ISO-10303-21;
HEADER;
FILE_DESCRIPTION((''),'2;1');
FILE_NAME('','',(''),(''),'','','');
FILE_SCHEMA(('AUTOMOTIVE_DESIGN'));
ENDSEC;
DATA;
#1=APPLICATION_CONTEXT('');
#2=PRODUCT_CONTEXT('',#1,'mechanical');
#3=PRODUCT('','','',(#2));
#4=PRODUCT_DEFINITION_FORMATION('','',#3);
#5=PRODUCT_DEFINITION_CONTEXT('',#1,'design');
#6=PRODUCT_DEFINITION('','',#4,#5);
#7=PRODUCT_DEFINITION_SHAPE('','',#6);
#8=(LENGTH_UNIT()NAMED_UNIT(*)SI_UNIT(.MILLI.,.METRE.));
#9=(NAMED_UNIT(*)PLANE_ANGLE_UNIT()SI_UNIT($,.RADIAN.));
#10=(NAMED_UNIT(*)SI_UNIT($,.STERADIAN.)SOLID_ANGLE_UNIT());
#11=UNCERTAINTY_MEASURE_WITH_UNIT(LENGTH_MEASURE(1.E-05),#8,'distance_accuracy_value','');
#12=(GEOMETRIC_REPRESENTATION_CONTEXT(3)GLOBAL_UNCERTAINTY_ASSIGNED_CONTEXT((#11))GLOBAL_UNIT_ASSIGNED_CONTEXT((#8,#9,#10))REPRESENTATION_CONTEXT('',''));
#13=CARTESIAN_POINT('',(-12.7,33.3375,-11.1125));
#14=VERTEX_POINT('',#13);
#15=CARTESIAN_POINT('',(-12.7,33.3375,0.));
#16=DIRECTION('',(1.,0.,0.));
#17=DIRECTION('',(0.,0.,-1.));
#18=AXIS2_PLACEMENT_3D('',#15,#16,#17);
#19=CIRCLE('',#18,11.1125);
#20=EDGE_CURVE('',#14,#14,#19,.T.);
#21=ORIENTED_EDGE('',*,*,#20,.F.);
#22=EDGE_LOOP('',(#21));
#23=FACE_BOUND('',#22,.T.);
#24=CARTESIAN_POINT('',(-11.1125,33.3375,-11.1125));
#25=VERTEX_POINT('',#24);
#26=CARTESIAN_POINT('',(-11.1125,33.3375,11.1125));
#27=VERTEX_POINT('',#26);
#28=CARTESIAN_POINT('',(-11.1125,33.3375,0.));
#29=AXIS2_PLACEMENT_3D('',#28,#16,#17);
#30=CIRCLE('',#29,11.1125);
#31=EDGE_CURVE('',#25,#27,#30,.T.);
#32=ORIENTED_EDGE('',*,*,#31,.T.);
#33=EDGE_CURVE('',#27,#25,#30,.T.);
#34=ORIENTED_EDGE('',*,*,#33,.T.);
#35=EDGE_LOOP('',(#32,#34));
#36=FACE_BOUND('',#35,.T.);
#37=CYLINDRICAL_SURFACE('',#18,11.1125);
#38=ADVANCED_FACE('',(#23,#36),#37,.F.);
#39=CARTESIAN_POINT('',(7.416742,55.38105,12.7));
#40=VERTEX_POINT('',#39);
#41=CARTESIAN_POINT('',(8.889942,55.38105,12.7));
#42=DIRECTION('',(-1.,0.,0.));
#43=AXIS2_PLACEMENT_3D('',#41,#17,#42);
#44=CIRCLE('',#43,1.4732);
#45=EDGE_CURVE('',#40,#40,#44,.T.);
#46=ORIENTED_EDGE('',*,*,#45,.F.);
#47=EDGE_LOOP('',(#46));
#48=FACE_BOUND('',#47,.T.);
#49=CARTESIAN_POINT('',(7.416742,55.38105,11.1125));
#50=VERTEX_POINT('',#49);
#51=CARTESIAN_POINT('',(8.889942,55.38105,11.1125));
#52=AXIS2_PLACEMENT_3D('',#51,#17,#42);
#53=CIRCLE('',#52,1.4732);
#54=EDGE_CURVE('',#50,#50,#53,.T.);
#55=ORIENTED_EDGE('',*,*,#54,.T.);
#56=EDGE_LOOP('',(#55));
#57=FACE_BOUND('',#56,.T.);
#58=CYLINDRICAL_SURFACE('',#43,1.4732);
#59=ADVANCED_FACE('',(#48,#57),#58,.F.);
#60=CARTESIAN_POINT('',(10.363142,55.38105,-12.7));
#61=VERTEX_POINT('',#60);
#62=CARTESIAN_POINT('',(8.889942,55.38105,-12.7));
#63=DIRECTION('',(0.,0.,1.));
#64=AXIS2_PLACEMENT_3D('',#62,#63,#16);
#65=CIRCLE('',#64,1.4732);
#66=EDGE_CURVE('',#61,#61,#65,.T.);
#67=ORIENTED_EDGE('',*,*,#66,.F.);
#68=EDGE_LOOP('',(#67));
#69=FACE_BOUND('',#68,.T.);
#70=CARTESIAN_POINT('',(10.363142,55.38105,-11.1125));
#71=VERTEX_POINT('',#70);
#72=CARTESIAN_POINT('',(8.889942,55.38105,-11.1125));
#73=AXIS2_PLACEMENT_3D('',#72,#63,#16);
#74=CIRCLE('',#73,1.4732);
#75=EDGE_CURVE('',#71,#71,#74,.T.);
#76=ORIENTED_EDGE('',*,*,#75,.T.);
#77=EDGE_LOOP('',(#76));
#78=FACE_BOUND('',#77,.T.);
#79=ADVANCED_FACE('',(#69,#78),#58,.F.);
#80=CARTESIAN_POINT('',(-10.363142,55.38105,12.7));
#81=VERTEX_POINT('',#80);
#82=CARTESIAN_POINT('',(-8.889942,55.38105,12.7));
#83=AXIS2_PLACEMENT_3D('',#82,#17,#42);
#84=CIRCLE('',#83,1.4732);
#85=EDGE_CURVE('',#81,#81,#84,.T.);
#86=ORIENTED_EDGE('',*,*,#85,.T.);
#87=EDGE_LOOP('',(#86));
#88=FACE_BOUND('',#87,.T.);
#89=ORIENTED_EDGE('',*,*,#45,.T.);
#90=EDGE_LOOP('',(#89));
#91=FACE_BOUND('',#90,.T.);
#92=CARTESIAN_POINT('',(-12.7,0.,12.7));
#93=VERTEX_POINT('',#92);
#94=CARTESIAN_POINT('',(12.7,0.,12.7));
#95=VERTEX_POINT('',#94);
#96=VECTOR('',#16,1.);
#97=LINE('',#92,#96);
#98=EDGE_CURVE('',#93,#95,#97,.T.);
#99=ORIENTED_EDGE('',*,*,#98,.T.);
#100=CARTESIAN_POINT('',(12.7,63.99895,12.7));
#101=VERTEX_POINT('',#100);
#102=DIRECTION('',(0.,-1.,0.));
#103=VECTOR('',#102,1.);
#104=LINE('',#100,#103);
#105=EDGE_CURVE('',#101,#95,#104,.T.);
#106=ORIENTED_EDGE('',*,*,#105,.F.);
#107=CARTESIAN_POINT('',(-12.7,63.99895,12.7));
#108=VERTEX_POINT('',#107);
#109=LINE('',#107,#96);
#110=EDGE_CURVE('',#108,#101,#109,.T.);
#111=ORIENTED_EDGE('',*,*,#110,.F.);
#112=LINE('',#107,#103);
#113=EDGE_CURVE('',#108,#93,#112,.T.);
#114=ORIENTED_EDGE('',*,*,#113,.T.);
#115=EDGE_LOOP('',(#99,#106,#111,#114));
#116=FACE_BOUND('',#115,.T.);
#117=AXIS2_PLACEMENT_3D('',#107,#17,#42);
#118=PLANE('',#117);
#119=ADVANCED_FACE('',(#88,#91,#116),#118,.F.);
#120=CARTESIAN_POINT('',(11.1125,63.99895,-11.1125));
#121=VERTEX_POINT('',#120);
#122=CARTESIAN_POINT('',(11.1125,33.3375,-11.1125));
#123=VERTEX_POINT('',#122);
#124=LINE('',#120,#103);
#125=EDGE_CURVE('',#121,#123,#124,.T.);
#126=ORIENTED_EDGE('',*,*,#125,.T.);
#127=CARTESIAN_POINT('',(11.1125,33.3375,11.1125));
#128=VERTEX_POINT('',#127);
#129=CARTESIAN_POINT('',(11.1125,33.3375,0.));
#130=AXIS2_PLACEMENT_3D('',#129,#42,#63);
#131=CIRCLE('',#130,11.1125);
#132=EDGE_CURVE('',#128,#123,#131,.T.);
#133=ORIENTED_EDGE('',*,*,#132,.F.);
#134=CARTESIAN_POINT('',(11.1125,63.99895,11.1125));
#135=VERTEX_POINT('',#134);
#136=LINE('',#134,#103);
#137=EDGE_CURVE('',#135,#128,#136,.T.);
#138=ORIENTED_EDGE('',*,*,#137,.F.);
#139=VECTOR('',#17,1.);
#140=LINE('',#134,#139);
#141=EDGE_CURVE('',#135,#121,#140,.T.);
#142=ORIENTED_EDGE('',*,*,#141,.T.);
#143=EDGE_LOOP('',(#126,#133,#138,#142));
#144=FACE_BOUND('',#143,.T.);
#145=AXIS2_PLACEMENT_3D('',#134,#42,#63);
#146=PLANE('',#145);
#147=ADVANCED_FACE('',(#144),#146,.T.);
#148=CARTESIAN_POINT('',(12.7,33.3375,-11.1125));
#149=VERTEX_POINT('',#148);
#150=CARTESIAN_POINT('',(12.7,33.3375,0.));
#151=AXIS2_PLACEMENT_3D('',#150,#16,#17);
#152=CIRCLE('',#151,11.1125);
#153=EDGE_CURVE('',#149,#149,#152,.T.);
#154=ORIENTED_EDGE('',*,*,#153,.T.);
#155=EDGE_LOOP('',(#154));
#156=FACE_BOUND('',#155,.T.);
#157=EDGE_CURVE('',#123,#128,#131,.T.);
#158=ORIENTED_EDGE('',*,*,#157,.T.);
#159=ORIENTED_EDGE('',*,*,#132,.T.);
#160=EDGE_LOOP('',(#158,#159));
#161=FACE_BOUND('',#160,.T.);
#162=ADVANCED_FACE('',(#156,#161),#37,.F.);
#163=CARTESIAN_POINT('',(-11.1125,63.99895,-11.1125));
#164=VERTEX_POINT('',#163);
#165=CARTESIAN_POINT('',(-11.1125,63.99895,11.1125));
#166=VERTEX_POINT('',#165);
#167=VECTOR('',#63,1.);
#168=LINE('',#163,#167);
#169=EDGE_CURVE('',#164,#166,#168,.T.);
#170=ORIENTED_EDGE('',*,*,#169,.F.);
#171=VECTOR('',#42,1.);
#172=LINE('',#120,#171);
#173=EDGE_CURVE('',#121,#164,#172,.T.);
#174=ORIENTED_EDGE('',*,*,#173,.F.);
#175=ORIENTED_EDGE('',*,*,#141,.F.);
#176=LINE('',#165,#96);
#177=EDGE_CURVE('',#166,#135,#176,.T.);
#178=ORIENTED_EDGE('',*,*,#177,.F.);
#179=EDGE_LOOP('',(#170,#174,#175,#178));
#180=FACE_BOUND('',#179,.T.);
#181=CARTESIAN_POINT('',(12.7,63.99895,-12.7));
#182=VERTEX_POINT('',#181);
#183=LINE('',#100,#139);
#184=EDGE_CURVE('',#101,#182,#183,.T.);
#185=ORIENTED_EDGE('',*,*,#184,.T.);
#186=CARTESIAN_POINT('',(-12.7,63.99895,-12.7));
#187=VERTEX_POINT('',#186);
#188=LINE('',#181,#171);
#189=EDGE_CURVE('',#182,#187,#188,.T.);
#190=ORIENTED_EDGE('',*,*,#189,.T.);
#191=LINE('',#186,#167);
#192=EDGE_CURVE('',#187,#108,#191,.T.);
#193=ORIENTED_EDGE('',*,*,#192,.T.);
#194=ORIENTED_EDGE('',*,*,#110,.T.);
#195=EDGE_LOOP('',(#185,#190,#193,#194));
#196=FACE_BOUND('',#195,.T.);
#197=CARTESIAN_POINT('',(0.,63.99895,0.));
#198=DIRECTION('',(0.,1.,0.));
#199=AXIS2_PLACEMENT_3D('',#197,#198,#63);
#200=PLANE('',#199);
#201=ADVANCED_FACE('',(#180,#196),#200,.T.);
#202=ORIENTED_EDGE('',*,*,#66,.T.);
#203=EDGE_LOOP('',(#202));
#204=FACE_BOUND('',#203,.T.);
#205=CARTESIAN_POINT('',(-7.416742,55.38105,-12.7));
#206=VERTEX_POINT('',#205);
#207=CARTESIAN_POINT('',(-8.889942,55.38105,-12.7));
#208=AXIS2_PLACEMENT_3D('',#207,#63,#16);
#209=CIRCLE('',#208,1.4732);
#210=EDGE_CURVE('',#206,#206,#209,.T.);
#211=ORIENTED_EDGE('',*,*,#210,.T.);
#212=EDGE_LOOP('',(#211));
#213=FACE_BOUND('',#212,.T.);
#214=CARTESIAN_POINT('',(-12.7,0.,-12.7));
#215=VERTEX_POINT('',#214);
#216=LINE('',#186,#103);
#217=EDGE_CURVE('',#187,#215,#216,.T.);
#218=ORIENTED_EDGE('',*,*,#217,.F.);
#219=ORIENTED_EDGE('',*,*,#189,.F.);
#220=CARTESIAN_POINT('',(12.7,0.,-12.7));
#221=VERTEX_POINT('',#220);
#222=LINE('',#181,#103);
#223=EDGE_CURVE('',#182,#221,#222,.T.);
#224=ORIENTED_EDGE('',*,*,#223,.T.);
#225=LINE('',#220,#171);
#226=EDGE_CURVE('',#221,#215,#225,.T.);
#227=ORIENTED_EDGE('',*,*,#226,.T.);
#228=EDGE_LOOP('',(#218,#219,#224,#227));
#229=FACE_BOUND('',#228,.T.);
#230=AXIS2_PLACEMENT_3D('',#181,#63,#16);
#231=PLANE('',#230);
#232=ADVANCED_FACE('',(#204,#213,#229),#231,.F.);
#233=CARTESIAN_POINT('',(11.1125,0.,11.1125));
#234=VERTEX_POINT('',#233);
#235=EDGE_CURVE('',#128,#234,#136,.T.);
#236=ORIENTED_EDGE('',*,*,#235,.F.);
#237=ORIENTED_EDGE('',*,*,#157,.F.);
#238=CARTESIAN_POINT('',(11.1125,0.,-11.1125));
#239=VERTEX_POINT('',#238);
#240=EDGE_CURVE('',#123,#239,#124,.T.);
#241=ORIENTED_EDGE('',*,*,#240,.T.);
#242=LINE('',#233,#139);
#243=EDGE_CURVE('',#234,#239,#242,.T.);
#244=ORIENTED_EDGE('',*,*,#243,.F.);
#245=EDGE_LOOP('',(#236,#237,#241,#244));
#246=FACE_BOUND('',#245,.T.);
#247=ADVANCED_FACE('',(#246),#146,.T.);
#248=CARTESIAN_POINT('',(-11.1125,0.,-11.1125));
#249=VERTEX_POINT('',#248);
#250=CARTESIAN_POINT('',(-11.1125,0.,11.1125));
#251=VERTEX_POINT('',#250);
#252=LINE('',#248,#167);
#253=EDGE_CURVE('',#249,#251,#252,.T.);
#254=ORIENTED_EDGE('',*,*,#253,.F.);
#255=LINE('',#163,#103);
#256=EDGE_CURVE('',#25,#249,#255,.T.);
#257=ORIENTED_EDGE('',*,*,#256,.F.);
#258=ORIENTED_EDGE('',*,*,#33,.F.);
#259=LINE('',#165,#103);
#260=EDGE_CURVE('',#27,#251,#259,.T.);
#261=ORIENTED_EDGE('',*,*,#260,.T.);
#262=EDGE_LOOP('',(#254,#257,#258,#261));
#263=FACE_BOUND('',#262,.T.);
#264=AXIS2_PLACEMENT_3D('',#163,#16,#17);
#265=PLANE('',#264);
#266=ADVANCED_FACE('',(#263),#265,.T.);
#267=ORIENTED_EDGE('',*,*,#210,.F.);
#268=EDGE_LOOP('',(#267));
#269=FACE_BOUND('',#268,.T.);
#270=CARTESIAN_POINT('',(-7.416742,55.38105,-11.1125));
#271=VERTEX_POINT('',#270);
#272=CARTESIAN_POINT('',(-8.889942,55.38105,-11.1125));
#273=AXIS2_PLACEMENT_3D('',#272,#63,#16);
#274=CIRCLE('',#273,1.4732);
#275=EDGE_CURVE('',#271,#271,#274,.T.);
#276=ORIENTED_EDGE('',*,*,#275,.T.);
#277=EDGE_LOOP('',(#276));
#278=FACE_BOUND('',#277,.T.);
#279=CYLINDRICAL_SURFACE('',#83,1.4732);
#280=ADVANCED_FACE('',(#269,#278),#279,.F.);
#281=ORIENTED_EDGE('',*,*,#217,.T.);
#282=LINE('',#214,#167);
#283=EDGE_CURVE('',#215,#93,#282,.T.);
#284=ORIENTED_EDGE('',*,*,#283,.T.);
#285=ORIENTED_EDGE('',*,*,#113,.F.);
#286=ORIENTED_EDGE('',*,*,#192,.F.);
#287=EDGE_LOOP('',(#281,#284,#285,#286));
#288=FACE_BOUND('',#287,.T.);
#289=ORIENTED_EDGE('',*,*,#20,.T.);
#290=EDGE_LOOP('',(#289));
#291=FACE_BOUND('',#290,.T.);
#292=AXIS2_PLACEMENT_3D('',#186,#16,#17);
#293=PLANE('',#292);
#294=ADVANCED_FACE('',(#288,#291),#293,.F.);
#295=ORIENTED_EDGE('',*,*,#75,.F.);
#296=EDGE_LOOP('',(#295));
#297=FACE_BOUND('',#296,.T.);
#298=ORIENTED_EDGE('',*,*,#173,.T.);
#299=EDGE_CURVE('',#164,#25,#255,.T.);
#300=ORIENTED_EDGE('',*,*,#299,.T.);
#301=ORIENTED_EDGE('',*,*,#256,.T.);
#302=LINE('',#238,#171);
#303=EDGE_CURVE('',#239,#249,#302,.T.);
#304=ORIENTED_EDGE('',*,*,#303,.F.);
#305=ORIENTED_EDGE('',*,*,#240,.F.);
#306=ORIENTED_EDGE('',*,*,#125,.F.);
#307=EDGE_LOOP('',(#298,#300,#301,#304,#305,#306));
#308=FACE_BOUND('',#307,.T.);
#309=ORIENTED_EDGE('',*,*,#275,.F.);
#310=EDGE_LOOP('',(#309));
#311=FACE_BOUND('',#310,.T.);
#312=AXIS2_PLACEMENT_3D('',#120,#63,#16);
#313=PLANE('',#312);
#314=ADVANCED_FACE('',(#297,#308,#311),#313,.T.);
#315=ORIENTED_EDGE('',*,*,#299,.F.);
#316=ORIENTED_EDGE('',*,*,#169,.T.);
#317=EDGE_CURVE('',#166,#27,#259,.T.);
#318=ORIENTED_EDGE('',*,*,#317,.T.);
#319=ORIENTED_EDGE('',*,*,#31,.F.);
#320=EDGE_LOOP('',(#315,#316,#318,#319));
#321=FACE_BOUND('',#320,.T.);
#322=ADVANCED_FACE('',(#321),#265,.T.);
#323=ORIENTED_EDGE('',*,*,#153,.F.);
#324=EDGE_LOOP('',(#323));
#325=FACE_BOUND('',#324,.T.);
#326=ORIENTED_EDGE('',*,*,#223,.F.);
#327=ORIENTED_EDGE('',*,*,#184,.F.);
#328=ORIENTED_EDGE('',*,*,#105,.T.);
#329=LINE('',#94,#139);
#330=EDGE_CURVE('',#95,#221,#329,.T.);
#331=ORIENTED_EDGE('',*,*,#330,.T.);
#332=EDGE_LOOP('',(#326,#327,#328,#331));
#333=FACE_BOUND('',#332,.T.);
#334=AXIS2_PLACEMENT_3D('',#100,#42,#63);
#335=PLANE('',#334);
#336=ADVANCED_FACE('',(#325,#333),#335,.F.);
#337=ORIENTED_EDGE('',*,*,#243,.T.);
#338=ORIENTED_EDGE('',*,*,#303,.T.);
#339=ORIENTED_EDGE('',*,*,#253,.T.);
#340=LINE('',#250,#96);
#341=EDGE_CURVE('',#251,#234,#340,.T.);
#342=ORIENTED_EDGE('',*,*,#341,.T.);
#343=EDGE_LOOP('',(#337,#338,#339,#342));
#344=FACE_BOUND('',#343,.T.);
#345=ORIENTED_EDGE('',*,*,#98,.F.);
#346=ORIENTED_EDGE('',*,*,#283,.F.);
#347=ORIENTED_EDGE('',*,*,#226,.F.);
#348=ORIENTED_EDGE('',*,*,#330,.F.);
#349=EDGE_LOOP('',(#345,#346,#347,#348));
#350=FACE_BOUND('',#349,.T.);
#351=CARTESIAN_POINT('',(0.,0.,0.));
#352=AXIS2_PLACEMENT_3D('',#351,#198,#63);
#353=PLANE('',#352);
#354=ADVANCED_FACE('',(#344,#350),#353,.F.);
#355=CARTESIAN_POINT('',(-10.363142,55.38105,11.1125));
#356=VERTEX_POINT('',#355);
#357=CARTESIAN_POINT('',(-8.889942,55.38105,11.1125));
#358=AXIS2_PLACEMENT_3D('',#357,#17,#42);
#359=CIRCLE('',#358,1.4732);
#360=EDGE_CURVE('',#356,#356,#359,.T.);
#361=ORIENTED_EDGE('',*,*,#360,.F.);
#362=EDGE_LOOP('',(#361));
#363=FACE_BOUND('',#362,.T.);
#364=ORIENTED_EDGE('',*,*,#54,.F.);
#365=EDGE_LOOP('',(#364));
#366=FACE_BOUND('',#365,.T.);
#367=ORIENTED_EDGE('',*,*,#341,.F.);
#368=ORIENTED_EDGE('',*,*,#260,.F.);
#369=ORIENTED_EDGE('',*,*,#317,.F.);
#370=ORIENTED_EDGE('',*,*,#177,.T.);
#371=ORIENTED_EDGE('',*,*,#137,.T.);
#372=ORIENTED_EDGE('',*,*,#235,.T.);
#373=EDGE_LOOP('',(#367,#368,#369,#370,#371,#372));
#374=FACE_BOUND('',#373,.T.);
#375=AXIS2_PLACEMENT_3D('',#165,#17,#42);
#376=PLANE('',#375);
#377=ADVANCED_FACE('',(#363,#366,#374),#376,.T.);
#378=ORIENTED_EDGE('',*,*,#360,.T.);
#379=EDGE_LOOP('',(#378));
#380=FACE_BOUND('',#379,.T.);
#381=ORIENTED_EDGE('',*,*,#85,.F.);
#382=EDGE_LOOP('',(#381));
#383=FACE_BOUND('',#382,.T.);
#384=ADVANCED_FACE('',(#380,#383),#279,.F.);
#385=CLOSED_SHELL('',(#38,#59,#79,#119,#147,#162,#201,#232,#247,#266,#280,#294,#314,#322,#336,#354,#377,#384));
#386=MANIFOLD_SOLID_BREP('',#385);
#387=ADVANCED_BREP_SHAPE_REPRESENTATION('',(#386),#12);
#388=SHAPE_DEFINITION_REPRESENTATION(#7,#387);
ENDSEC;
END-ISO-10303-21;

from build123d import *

# Parameters (mm, degrees)
SKETCH1_W               = 25.4
SKETCH1_H               = 25.4
SKETCH1_W_2             = 22.225
SKETCH1_H_2             = 22.225
BOSS_EXTRUDE1_DEPTH     = 63.99895
SKETCH3_R               = 11.1125
CUT_EXTRUDE2_DEPTH      = 71.016538054
CUT_EXTRUDE3_DEPTH      = 71.016538054
CUT_EXTRUDE3_DEPTH_BACK = 71.016538054
SKETCH6_R               = 1.4732
CUT_EXTRUDE4_DEPTH      = 71.016538054
CUT_EXTRUDE4_DEPTH_BACK = 71.016538054
SKETCH7_R               = 1.4732


with BuildPart() as part:
    # Sketch1 → Boss-Extrude1 (new body)
    with BuildSketch(Plane(origin=(0, 0, 0), x_dir=(1, 0, 0), z_dir=(0, 1, 0))):
        Rectangle(SKETCH1_W, SKETCH1_H)
        Rectangle(SKETCH1_W_2, SKETCH1_H_2, mode=Mode.SUBTRACT)
    extrude(amount=BOSS_EXTRUDE1_DEPTH)

    # Sketch3 → Cut-Extrude2 (cut, through all)
    with BuildSketch(Plane(origin=(12.7, 0, 0), x_dir=(0, 0, -1), z_dir=(1, 0, 0))):
        with Locations((0, 33.3375)):
            Circle(SKETCH3_R)
    extrude(amount=-CUT_EXTRUDE2_DEPTH, mode=Mode.SUBTRACT)

    # Sketch6 → Cut-Extrude3 (cut, two sides: drawn at the far end of the back side and taken through both)
    with BuildSketch(Plane(origin=(0, 0, -12.7), x_dir=(-1, 0, 0), z_dir=(0, 0, -1)).offset(-CUT_EXTRUDE3_DEPTH_BACK)):
        with Locations((8.889941847, 55.381049815)):
            Circle(SKETCH6_R)
    extrude(amount=CUT_EXTRUDE3_DEPTH + CUT_EXTRUDE3_DEPTH_BACK, mode=Mode.SUBTRACT)

    # Sketch7 → Cut-Extrude4 (cut, two sides: drawn at the far end of the back side and taken through both)
    with BuildSketch(Plane(origin=(0, 0, -12.7), x_dir=(-1, 0, 0), z_dir=(0, 0, -1)).offset(-CUT_EXTRUDE4_DEPTH_BACK)):
        with Locations((-8.889941847, 55.381049816)):
            Circle(SKETCH7_R)
    extrude(amount=CUT_EXTRUDE4_DEPTH + CUT_EXTRUDE4_DEPTH_BACK, mode=Mode.SUBTRACT)


solid = part.part
